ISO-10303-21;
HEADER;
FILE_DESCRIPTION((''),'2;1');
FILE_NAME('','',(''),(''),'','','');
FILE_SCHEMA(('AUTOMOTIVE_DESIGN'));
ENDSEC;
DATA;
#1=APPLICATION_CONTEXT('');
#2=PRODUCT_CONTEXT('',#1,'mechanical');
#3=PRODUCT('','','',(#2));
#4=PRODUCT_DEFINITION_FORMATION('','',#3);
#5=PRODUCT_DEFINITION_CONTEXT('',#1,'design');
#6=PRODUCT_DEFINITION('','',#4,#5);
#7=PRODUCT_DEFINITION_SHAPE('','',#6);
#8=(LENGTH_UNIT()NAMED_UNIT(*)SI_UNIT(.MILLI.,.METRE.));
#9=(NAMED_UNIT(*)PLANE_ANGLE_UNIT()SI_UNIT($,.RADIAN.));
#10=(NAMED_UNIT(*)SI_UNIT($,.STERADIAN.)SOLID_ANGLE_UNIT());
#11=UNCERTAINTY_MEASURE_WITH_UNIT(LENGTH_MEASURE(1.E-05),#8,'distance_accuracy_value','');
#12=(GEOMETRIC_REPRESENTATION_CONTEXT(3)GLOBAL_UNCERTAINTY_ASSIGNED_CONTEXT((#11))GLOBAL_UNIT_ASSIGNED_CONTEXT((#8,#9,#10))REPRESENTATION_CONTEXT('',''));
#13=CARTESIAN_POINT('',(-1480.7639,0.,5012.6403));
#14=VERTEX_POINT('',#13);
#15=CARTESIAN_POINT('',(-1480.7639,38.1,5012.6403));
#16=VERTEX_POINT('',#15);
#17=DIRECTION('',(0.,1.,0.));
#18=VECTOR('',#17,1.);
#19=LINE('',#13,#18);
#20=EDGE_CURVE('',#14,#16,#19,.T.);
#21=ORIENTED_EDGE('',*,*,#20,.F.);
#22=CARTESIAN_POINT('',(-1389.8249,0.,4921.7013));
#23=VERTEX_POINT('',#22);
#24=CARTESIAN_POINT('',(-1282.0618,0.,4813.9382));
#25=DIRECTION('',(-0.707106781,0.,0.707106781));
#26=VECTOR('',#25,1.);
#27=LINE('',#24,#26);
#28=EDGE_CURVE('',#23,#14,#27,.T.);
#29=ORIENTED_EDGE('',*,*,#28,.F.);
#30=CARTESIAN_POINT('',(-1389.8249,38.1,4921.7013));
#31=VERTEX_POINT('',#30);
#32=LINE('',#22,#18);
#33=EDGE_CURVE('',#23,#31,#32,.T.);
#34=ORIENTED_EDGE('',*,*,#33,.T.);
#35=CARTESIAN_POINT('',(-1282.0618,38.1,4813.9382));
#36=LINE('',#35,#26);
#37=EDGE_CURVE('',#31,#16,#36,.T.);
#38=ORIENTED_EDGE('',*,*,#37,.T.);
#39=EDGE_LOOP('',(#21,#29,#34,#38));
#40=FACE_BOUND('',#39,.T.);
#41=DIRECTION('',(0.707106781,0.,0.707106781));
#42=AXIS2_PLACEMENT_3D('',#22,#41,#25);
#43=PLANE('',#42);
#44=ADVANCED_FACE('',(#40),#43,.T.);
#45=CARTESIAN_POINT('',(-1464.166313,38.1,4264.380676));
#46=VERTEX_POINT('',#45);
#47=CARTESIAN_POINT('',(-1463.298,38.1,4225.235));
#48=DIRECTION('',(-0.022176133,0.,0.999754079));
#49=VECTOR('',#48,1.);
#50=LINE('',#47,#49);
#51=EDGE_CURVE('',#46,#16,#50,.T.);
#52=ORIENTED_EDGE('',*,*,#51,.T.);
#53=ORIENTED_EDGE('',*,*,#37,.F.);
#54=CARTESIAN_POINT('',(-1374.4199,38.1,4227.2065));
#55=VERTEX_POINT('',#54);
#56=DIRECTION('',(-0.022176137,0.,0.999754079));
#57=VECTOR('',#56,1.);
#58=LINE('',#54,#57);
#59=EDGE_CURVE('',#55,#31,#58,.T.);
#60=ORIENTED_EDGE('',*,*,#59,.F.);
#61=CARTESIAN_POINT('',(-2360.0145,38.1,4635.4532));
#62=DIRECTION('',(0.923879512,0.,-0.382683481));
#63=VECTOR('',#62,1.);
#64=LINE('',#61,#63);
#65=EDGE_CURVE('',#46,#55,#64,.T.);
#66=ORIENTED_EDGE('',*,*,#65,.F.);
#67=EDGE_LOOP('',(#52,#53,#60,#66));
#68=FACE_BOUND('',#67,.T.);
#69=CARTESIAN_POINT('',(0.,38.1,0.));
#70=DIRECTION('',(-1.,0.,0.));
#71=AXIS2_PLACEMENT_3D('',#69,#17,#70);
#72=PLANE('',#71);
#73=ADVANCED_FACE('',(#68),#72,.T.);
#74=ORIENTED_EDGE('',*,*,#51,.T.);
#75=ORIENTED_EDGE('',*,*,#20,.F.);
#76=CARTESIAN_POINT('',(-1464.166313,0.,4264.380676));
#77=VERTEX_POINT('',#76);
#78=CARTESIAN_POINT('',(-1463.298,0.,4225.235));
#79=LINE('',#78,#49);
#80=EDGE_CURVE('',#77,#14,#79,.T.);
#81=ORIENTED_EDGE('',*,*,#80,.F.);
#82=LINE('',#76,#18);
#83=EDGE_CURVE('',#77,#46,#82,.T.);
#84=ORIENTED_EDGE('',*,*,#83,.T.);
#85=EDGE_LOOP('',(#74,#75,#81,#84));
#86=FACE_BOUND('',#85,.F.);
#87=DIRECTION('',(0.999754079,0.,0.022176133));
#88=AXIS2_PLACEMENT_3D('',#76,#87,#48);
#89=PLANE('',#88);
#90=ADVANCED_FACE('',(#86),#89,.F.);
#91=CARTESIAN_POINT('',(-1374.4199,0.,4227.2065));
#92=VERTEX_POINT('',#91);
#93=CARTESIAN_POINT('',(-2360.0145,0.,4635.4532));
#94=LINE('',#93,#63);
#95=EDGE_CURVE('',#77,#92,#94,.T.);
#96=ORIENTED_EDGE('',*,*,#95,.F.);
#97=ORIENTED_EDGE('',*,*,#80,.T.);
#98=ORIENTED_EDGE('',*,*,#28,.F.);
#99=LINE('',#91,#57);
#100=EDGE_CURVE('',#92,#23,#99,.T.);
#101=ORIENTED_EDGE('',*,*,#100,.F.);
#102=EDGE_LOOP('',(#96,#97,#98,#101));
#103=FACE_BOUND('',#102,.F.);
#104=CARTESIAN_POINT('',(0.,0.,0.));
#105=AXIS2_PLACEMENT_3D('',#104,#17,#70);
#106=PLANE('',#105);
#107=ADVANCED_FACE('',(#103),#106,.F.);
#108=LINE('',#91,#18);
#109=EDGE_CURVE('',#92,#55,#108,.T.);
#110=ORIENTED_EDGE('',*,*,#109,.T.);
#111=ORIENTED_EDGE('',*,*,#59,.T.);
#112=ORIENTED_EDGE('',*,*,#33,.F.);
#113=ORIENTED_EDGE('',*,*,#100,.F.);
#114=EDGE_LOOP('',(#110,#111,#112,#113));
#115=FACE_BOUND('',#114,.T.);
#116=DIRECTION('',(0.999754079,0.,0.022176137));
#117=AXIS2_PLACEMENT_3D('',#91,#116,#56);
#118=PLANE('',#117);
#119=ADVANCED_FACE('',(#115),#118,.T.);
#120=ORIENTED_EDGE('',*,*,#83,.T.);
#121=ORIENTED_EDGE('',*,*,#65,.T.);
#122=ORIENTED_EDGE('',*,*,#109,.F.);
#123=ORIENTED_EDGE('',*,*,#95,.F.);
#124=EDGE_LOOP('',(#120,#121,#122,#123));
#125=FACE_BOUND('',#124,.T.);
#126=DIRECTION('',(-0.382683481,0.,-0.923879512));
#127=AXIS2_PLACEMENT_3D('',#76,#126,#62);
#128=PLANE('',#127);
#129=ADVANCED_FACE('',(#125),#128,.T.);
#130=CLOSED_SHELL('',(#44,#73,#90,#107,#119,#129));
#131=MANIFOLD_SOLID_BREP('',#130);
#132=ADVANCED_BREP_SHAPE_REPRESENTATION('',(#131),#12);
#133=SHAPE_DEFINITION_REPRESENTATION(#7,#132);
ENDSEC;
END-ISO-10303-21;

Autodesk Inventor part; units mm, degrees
ref_plane "YZ Plane" through (0, 0, 0) normal (1, 0, 0) x (0, 1, 0)
ref_plane "XZ Plane" through (0, 0, 0) normal (0, 1, 0) x (-1, 0, 0)
ref_plane "XY Plane" through (0, 0, 0) normal (0, 0, 1) x (1, 0, 0)
sketch "Sketch1" plane through (0, 0, 0) normal (0, 1, 0) x (-1, 0, 0)
  line L0 (0, 0) -> (0, -1219.2)
  line L1 (0, 0) -> (88.9, 0)
  line L2 (88.9, 0) -> (88.9, -1219.2)
  line L3 (88.9, -1219.2) -> (0, -1219.2)
  line L4 (0, 0) -> (0, 1219.2) construction
  line L5 (0, 1219.2) -> (1219.2, 1219.2) construction
  line L6 (0, 1219.2) -> (0, 3657.6) construction
  line L7 (0, 3657.6) -> (0, 4876.8) construction
  line L8 (0, 4876.8) -> (0, 6096) construction
  line L9 (0, -1219.2) -> (2438.4, -1219.2) construction
  line L10 (0, 6096) -> (2438.4, 6096) construction
  line L11 (2438.4, 6096) -> (2438.4, -1219.2) construction
  line L12 (0, 3657.6) -> (0, 3352.8) construction
  line L13 (0, 3352.8) -> (2438.4, 3352.8) construction
  line L14 (2438.4, 3352.8) -> (1219.2, 3352.8)
  line L15 (1219.2, 3352.8) -> (1219.2, 3263.9)
  line L16 (1219.2, 3263.9) -> (2438.4, 3263.9)
  line L17 (2438.4, 3263.9) -> (2438.4, 3352.8)
  line L18 (0, 6096) -> (862.1046, 6958.1046)
  line L19 (862.1046, 6958.1046) -> (924.9664, 6895.2428)
  line L20 (924.9664, 6895.2428) -> (62.8618, 6033.1382)
  line L21 (62.8618, 6033.1382) -> (0, 6096)
  line L22 (0, 4876.8) -> (1219.2, 4876.8) construction
  line L23 (1219.2, 4876.8) -> (2081.3046, 5738.9046)
  line L24 (1219.2, 1219.2) -> (2081.3046, 357.0954)
  line L25 (2081.3046, 357.0954) -> (2018.4428, 294.2336)
  line L26 (2018.4428, 294.2336) -> (1156.3382, 1156.3382)
  line L27 (1156.3382, 1156.3382) -> (1219.2, 1219.2)
  line L28 (2018.4428, 294.2336) -> (88.9, -1219.2)
  line L29 (2081.3046, 357.0954) -> (2144.1664, 419.9572)
  line L30 (2144.1664, 419.9572) -> (1282.0618, 1282.0618)
  line L31 (1282.0618, 1282.0618) -> (1219.2, 1219.2)
  line L32 (2438.4, 3352.8) -> (2438.4, 3441.7)
  line L33 (2438.4, 3441.7) -> (1219.2, 3441.7)
  line L34 (1219.2, 3441.7) -> (1219.2, 3352.8)
  line L35 (1156.3382, 4939.6618) -> (1282.0618, 4813.9382)
  line L36 (2018.4428, 5801.7664) -> (2144.1664, 5676.0428)
  line L37 (1282.0618, 4813.9382) -> (2144.1664, 5676.0428)
  line L38 (2018.4428, 5801.7664) -> (1156.3382, 4939.6618)
  line L39 (2018.4428, 5801.7664) -> (924.9664, 6895.2428)
  line L40 (62.8618, 6033.1382) -> (1156.3382, 4939.6618)
  line L41 (1233.6206, 4168.8855) -> (1267.6412, 4086.7527)
  line L42 (1263.7078, 2313.9849) -> (1230.0006, 2231.7229)
  arc A0 (862.1046, 6958.1046) -> (0, 6096) centre (431.0523, 6527.0523) ccw
  line L43 (1246.8542, 2272.8539) -> (2375.0183, 1810.583)
  line L44 (2391.8719, 1851.7139) -> (2358.1646, 1769.452)
  line L45 (2391.8719, 1851.7139) -> (1263.7078, 2313.9849)
  line L46 (1230.0006, 2231.7229) -> (2358.1646, 1769.452)
  line L47 (1230.0006, 2231.7229) -> (1219.2, 3263.9)
  line L48 (2144.1664, 419.9572) -> (2391.8719, 1851.7139)
  line L49 (2391.8719, 1851.7139) -> (2438.4, 3263.9)
  line L50 (1219.2, 3441.7) -> (1233.6206, 4168.8855)
  line L51 (1250.6309, 4127.8191) -> (2377.0248, 4594.3867)
  line L52 (2360.0145, 4635.4532) -> (2394.0351, 4553.3203)
  line L53 (2394.0351, 4553.3203) -> (1267.6412, 4086.7527)
  line L54 (2360.0145, 4635.4532) -> (1233.6206, 4168.8855)
  line L55 (2394.0351, 4553.3203) -> (2144.1664, 5676.0428)
  line L56 (2438.4, 3441.7) -> (2394.0351, 4553.3203)
  line L57 (2144.1664, 5676.0428) -> (2057.3895, 5656.7301)
  line L58 (2394.0351, 4553.3203) -> (2305.2058, 4549.7751)
  line L59 (2394.0351, 4553.3203) -> (2307.2582, 4534.0076)
  line L60 (2307.2582, 4534.0076) -> (2057.3895, 5656.7301)
  line L61 (2438.4, 3441.7) -> (2349.5707, 3438.1548)
  line L62 (2349.5707, 3438.1548) -> (2305.2058, 4549.7751)
  line L63 (1219.2, 3441.7) -> (1308.0825, 3439.9374)
  line L64 (1233.6206, 4168.8855) -> (1322.5031, 4167.1229)
  line L65 (1322.5031, 4167.1229) -> (1308.0825, 3439.9374)
  line L66 (2018.4428, 5801.7664) -> (1955.581, 5738.9046)
  line L67 (1955.581, 5738.9046) -> (862.1046, 6832.381)
  line L68 (924.9664, 6895.2428) -> (862.1046, 6832.381)
  line L69 (62.8618, 6033.1382) -> (125.7236, 6096)
  line L70 (62.8618, 6033.1382) -> (125.7236, 6096)
  line L71 (125.7236, 6096) -> (1219.2, 5002.5236)
  line L72 (1156.3382, 1156.3382) -> (0, 0)
  line L73 (0, 0) -> (62.8618, -62.8618)
  line L74 (1156.3382, 1156.3382) -> (1219.2, 1093.4764)
  line L75 (1219.2, 1093.4764) -> (62.8618, -62.8618)
  line L76 (2018.4428, 294.2336) -> (1963.5776, 364.1837)
  line L77 (88.9, -1219.2) -> (34.0348, -1149.2499)
  line L78 (34.0348, -1149.2499) -> (1963.5776, 364.1837)
  line L79 (2144.1664, 419.9572) -> (2056.5677, 435.1125)
  line L80 (2391.8719, 1851.7139) -> (2304.2732, 1866.8692)
  line L81 (2391.8719, 1851.7139) -> (2303.0201, 1854.6414)
  line L82 (2304.2732, 1866.8692) -> (2056.5677, 435.1125)
  line L83 (1230.0006, 2231.7229) -> (1318.8957, 2232.6531)
  line L84 (1219.2, 3263.9) -> (1308.0951, 3264.8302)
  line L85 (1308.0951, 3264.8302) -> (1318.8957, 2232.6531)
  line L86 (2438.4, 3263.9) -> (2349.5482, 3266.8275)
  line L87 (2349.5482, 3266.8275) -> (2303.0201, 1854.6414)
  line L88 (88.9, 0) -> (125.7236, 0)
  line L89 (1233.6206, 4168.8855) -> (1219.2, 4876.8)
  line L90 (1233.6206, 4168.8855) -> (1322.5022, 4170.6961)
  line L91 (1219.2, 4876.8) -> (1308.0816, 4878.6106)
  line L92 (1308.0816, 4878.6106) -> (1322.5022, 4170.6961)
  line L93 (1282.0618, 4813.9382) -> (1309.9674, 4786.0326)
  line L94 (1267.6412, 4086.7527) -> (1318.4756, 3964.0275)
  line L95 (2360.0145, 4635.4532) -> (2374.4273, 4641.4231)
  line L96 (1230.0006, 2231.7229) -> (1219.2, 1219.2)
  line L97 (1230.0006, 2231.7229) -> (1318.8955, 2230.7747)
  line L98 (1219.2, 1219.2) -> (1308.0949, 1218.2518)
  line L99 (1308.0949, 1218.2518) -> (1318.8955, 2230.7747)
  line L100 (1282.0618, 1282.0618) -> (1309.0636, 1309.0636)
  line L101 (1263.7078, 2313.9849) -> (1316.7428, 2438.4)
  line L102 (2358.1646, 1769.452) -> (2376.5379, 1763.082)
  line L103 (2286, 3352.8) -> (1371.6, 3352.8)
  line L104 (2286, 3441.7) -> (2286, 3263.9)
  line L105 (1371.6, 3441.7) -> (1371.6, 3263.9)
  line L106 (0, -152.4) -> (0, -1066.8)
  line L107 (0, -152.4) -> (88.9, -152.4)
  line L108 (0, -1066.8) -> (88.9, -1066.8)
  line L109 (1326.9631, 1111.4369) -> (1973.5415, 464.8585)
  line L110 (2036.4033, 527.7203) -> (1910.6797, 401.9967)
  line L111 (1389.8249, 1174.2987) -> (1264.1013, 1048.5751)
  line L112 (2233.9978, 1868.3668) -> (1387.8747, 2215.07)
  line L113 (1404.7283, 2256.201) -> (1371.0211, 2173.939)
  line L114 (2250.8514, 1909.4978) -> (2217.1441, 1827.2358)
  line L115 (1371.0211, 2173.939) -> (1389.8249, 1174.2987)
  line L116 (1264.1013, 1048.5751) -> (88.9, -152.4)
  line L117 (2217.1441, 1827.2358) -> (2036.4033, 527.7203)
  line L118 (1910.6797, 401.9967) -> (88.9, -1066.8)
  line L119 (88.9, -1066.8) -> (33.1016, -997.592)
  line L120 (1910.6797, 401.9967) -> (1854.8813, 471.2047)
  line L121 (1854.8813, 471.2047) -> (33.1016, -997.592)
  line L122 (88.9, -152.4) -> (0, -243.2497)
  line L123 (0, -243.2497) -> (63.5399, -305.426)
  line L124 (1263.7078, 1048.9686) -> (1327.2477, 986.7923)
  line L125 (1327.2477, 986.7923) -> (88.9, -278.7141)
  line L126 (1389.8249, 1174.2987) -> (1392.2351, 1046.1649)
  line L127 (1392.2351, 1046.1649) -> (1481.1194, 1047.8368)
  line L128 (1371.0211, 2173.939) -> (1459.9053, 2175.611)
  line L129 (1459.9053, 2175.611) -> (1460.6275, 2137.2224)
  line L130 (2036.4033, 527.7203) -> (1948.3509, 539.9669)
  line L131 (2217.1441, 1827.2358) -> (2223.465, 1872.6827)
  line L132 (2223.465, 1872.6827) -> (2135.4126, 1884.9293)
  line L133 (2135.4126, 1884.9293) -> (2132.2278, 1862.0307)
  line L134 (88.9, -278.7141) -> (63.1422, -305.0368)
  line L135 (2132.2278, 1862.0307) -> (1948.3509, 539.9669)
  line L136 (1480.4452, 1083.6784) -> (1481.1194, 1047.8368)
  line L137 (1460.6275, 2137.2224) -> (1480.4452, 1083.6784)
  line L138 (1973.5415, 5631.1415) -> (1326.9631, 4984.5631)
  line L139 (1264.1013, 5047.4249) -> (1389.8249, 4921.7013)
  line L140 (1910.6797, 5694.0033) -> (2036.4033, 5568.2797)
  line L141 (1404.7283, 2256.201) -> (1371.6, 3263.9)
  line L142 (2250.8514, 1909.4978) -> (2286, 3263.9)
  line L143 (2236.2256, 4536.0658) -> (1391.4301, 4186.1401)
  line L144 (1374.4199, 4227.2065) -> (1408.4404, 4145.0736)
  line L145 (2219.2153, 4577.1322) -> (2253.2359, 4494.9993)
  line L146 (2286, 3441.7) -> (2253.2359, 4494.9993)
  line L147 (2219.2153, 4577.1322) -> (2036.4033, 5568.2797)
  line L148 (1374.4199, 4227.2065) -> (1389.8249, 4921.7013)
  line L149 (2036.4033, 5568.2797) -> (1948.978, 5552.1546)
  line L150 (2219.2153, 4577.1322) -> (2227.4595, 4532.4348)
  line L151 (2227.4595, 4532.4348) -> (2140.0342, 4516.3096)
  line L152 (1948.978, 5552.1546) -> (1960.081, 5491.9574)
  line L153 (1374.4199, 4227.2065) -> (1463.298, 4225.235)
  line L154 (1389.8249, 4921.7013) -> (1392.6769, 5050.2769)
  line L155 (1392.6769, 5050.2769) -> (1481.555, 5048.3054)
  line L156 (1463.298, 4225.235) -> (1480.7639, 5012.6403)
  line L157 (2253.2359, 4494.9993) -> (2164.3788, 4492.2353)
  line L158 (2286, 3441.7) -> (2197.143, 3438.936)
  line L159 (2197.143, 3438.936) -> (2164.3788, 4492.2353)
  line L160 (1408.4404, 4145.0736) -> (1371.6, 3441.7)
  line L161 (2286, 3263.9) -> (2197.1299, 3266.2063)
  line L162 (2250.8514, 1909.4978) -> (2161.9813, 1911.8041)
  line L163 (2161.9813, 1911.8041) -> (2197.1299, 3266.2063)
  line L164 (1408.4404, 4145.0736) -> (1411.0163, 4194.2529)
  line L165 (1411.0163, 4194.2529) -> (1499.7946, 4189.603)
  line L166 (1371.6, 3441.7) -> (1460.3783, 3437.0501)
  line L167 (1460.3783, 3437.0501) -> (1460.6219, 3441.7)
  line L168 (1371.6, 3263.9) -> (1460.452, 3266.821)
  line L169 (1404.7283, 2256.201) -> (1406.3291, 2207.5082)
  line L170 (1406.3291, 2207.5082) -> (1495.1811, 2210.4293)
  line L171 (1495.1811, 2210.4293) -> (1494.8909, 2219.2564)
  line L172 (1494.8909, 2219.2564) -> (1460.548, 3263.9)
  line L173 (1460.548, 3263.9) -> (1460.452, 3266.821)
  line L174 (1460.6219, 3441.7) -> (1499.4364, 4182.7654)
  line L175 (1499.4364, 4182.7654) -> (1499.7946, 4189.603)
  line L176 (2135.232, 4542.3452) -> (2140.0342, 4516.3096)
  line L177 (1960.081, 5491.9574) -> (2135.232, 4542.3452)
  line L178 (1480.7639, 5012.6403) -> (1481.555, 5048.3054)
  point P0 (1955.1236, 357.5528)
  point P1 (88.9, -1106.2164)
  point P2 (2292.1025, 1796.5213)
  point P3 (2067.2525, 496.8711)
  point P4 (1318.5187, 2195.4522)
  point P5 (1308.1049, 3263.9)
  point P6 (2349.4518, 3263.9)
  point P7 (2304.1085, 1887.6754)
  point P8 (2306.5112, 4517.0667)
  point P9 (2349.4292, 3441.7)
  point P10 (1308.1175, 3441.7)
  point P11 (2069.6708, 5601.5472)
  point P12 (2291.0394, 4606.8827)
  point P13 (1321.7951, 4205.4086)
  point P14 (1828.8, 3352.8)
  point P15 (0, -609.6)
  point P16 (1650.2523, 788.1477)
  point P17 (1810.9362, 2041.7184)
  point P18 (88.9, -278.7141)
  point P19 (1326.5733, 986.1031)
  point P20 (1957.6068, 606.5167)
  point P21 (1957.6068, 606.5167)
  point P22 (1480.4452, 1083.6784)
  point P23 (1650.2523, 5307.8523)
  point P24 (1813.8279, 4361.1029)
  point P25 (2197.0701, 3263.9)
  point P26 (2162.8572, 1945.5539)
  point P27 (2165.4243, 4458.6266)
  point P28 (2197.057, 3441.7)
  point P29 (1464.1663, 4264.3807)
  point P30 (1480.7639, 5012.6403)
  dimension "d0" = 1219.2
  dimension "d2" = 1219.2
  dimension "d3" = 1219.2
  dimension "d16" = 2438.4
  dimension "d17" = 1219.2
  dimension "d18" = 1219.2
  dimension "d20" = 2438.4
  dimension "d21" = 304.8
  dimension "d22" = 1219.2
  dimension "d23" = 88.9
  dimension "d24" = 1219.2
  dimension "d25" = 45
  dimension "d26" = 88.9
  dimension "d27" = 1219.2
  dimension "d28" = 1219.2
  dimension "d29" = 1219.2
  dimension "d31" = 1219.2
  dimension "d32" = 88.9
  dimension "d33" = 88.9
  dimension "d34" = 88.9
  dimension "d35" = 177.8
  dimension "d36" = 177.8
  dimension "d38" = 88.9
  dimension "d39" = 88.9
  dimension "d43" = 1219.2
  dimension "d44" = 88.9
  dimension "d45" = 1219.2
  dimension "d46" = 88.9
  dimension "d47" = 88.9
  dimension "d48" = 88.9
  dimension "d49" = 88.9
  dimension "d50" = 88.9
  dimension "d51" = 88.9
  dimension "d54" = 88.9
  dimension "d55" = 88.9
  dimension "d57" = 88.9
  dimension "d58" = 88.9
  dimension "d59" = 88.9
  dimension "d60" = 88.9
  dimension "d61" = 88.9
  dimension "d64" = 88.9
  dimension "d65" = 88.9
  dimension "d66" = 88.9
  dimension "d69" = 88.9
  dimension "d70" = 88.9
  dimension "d71" = 88.9
  dimension "d72" = 88.9
  dimension "d73" = 914.4
  dimension "d74" = 914.4
  dimension "d75" = 914.4
  dimension "d76" = 914.4
  dimension "d77" = 88.9
  dimension "d78" = 88.9
  dimension "d79" = 88.9
  dimension "d80" = 88.9
  dimension "d83" = 88.9
  dimension "d84" = 88.9
  dimension "d85" = 88.9
  dimension "d86" = 88.9
  dimension "d89" = 914.4
  dimension "d90" = 914.4
  dimension "d91" = 88.9
  dimension "d92" = 88.9
  dimension "d93" = 88.9
extrude "Extrusion3" add sketch "Sketch1" along normal blind 38.1 contours L148 L37 L156 L54
properties part number "S_2x4x31.008"
